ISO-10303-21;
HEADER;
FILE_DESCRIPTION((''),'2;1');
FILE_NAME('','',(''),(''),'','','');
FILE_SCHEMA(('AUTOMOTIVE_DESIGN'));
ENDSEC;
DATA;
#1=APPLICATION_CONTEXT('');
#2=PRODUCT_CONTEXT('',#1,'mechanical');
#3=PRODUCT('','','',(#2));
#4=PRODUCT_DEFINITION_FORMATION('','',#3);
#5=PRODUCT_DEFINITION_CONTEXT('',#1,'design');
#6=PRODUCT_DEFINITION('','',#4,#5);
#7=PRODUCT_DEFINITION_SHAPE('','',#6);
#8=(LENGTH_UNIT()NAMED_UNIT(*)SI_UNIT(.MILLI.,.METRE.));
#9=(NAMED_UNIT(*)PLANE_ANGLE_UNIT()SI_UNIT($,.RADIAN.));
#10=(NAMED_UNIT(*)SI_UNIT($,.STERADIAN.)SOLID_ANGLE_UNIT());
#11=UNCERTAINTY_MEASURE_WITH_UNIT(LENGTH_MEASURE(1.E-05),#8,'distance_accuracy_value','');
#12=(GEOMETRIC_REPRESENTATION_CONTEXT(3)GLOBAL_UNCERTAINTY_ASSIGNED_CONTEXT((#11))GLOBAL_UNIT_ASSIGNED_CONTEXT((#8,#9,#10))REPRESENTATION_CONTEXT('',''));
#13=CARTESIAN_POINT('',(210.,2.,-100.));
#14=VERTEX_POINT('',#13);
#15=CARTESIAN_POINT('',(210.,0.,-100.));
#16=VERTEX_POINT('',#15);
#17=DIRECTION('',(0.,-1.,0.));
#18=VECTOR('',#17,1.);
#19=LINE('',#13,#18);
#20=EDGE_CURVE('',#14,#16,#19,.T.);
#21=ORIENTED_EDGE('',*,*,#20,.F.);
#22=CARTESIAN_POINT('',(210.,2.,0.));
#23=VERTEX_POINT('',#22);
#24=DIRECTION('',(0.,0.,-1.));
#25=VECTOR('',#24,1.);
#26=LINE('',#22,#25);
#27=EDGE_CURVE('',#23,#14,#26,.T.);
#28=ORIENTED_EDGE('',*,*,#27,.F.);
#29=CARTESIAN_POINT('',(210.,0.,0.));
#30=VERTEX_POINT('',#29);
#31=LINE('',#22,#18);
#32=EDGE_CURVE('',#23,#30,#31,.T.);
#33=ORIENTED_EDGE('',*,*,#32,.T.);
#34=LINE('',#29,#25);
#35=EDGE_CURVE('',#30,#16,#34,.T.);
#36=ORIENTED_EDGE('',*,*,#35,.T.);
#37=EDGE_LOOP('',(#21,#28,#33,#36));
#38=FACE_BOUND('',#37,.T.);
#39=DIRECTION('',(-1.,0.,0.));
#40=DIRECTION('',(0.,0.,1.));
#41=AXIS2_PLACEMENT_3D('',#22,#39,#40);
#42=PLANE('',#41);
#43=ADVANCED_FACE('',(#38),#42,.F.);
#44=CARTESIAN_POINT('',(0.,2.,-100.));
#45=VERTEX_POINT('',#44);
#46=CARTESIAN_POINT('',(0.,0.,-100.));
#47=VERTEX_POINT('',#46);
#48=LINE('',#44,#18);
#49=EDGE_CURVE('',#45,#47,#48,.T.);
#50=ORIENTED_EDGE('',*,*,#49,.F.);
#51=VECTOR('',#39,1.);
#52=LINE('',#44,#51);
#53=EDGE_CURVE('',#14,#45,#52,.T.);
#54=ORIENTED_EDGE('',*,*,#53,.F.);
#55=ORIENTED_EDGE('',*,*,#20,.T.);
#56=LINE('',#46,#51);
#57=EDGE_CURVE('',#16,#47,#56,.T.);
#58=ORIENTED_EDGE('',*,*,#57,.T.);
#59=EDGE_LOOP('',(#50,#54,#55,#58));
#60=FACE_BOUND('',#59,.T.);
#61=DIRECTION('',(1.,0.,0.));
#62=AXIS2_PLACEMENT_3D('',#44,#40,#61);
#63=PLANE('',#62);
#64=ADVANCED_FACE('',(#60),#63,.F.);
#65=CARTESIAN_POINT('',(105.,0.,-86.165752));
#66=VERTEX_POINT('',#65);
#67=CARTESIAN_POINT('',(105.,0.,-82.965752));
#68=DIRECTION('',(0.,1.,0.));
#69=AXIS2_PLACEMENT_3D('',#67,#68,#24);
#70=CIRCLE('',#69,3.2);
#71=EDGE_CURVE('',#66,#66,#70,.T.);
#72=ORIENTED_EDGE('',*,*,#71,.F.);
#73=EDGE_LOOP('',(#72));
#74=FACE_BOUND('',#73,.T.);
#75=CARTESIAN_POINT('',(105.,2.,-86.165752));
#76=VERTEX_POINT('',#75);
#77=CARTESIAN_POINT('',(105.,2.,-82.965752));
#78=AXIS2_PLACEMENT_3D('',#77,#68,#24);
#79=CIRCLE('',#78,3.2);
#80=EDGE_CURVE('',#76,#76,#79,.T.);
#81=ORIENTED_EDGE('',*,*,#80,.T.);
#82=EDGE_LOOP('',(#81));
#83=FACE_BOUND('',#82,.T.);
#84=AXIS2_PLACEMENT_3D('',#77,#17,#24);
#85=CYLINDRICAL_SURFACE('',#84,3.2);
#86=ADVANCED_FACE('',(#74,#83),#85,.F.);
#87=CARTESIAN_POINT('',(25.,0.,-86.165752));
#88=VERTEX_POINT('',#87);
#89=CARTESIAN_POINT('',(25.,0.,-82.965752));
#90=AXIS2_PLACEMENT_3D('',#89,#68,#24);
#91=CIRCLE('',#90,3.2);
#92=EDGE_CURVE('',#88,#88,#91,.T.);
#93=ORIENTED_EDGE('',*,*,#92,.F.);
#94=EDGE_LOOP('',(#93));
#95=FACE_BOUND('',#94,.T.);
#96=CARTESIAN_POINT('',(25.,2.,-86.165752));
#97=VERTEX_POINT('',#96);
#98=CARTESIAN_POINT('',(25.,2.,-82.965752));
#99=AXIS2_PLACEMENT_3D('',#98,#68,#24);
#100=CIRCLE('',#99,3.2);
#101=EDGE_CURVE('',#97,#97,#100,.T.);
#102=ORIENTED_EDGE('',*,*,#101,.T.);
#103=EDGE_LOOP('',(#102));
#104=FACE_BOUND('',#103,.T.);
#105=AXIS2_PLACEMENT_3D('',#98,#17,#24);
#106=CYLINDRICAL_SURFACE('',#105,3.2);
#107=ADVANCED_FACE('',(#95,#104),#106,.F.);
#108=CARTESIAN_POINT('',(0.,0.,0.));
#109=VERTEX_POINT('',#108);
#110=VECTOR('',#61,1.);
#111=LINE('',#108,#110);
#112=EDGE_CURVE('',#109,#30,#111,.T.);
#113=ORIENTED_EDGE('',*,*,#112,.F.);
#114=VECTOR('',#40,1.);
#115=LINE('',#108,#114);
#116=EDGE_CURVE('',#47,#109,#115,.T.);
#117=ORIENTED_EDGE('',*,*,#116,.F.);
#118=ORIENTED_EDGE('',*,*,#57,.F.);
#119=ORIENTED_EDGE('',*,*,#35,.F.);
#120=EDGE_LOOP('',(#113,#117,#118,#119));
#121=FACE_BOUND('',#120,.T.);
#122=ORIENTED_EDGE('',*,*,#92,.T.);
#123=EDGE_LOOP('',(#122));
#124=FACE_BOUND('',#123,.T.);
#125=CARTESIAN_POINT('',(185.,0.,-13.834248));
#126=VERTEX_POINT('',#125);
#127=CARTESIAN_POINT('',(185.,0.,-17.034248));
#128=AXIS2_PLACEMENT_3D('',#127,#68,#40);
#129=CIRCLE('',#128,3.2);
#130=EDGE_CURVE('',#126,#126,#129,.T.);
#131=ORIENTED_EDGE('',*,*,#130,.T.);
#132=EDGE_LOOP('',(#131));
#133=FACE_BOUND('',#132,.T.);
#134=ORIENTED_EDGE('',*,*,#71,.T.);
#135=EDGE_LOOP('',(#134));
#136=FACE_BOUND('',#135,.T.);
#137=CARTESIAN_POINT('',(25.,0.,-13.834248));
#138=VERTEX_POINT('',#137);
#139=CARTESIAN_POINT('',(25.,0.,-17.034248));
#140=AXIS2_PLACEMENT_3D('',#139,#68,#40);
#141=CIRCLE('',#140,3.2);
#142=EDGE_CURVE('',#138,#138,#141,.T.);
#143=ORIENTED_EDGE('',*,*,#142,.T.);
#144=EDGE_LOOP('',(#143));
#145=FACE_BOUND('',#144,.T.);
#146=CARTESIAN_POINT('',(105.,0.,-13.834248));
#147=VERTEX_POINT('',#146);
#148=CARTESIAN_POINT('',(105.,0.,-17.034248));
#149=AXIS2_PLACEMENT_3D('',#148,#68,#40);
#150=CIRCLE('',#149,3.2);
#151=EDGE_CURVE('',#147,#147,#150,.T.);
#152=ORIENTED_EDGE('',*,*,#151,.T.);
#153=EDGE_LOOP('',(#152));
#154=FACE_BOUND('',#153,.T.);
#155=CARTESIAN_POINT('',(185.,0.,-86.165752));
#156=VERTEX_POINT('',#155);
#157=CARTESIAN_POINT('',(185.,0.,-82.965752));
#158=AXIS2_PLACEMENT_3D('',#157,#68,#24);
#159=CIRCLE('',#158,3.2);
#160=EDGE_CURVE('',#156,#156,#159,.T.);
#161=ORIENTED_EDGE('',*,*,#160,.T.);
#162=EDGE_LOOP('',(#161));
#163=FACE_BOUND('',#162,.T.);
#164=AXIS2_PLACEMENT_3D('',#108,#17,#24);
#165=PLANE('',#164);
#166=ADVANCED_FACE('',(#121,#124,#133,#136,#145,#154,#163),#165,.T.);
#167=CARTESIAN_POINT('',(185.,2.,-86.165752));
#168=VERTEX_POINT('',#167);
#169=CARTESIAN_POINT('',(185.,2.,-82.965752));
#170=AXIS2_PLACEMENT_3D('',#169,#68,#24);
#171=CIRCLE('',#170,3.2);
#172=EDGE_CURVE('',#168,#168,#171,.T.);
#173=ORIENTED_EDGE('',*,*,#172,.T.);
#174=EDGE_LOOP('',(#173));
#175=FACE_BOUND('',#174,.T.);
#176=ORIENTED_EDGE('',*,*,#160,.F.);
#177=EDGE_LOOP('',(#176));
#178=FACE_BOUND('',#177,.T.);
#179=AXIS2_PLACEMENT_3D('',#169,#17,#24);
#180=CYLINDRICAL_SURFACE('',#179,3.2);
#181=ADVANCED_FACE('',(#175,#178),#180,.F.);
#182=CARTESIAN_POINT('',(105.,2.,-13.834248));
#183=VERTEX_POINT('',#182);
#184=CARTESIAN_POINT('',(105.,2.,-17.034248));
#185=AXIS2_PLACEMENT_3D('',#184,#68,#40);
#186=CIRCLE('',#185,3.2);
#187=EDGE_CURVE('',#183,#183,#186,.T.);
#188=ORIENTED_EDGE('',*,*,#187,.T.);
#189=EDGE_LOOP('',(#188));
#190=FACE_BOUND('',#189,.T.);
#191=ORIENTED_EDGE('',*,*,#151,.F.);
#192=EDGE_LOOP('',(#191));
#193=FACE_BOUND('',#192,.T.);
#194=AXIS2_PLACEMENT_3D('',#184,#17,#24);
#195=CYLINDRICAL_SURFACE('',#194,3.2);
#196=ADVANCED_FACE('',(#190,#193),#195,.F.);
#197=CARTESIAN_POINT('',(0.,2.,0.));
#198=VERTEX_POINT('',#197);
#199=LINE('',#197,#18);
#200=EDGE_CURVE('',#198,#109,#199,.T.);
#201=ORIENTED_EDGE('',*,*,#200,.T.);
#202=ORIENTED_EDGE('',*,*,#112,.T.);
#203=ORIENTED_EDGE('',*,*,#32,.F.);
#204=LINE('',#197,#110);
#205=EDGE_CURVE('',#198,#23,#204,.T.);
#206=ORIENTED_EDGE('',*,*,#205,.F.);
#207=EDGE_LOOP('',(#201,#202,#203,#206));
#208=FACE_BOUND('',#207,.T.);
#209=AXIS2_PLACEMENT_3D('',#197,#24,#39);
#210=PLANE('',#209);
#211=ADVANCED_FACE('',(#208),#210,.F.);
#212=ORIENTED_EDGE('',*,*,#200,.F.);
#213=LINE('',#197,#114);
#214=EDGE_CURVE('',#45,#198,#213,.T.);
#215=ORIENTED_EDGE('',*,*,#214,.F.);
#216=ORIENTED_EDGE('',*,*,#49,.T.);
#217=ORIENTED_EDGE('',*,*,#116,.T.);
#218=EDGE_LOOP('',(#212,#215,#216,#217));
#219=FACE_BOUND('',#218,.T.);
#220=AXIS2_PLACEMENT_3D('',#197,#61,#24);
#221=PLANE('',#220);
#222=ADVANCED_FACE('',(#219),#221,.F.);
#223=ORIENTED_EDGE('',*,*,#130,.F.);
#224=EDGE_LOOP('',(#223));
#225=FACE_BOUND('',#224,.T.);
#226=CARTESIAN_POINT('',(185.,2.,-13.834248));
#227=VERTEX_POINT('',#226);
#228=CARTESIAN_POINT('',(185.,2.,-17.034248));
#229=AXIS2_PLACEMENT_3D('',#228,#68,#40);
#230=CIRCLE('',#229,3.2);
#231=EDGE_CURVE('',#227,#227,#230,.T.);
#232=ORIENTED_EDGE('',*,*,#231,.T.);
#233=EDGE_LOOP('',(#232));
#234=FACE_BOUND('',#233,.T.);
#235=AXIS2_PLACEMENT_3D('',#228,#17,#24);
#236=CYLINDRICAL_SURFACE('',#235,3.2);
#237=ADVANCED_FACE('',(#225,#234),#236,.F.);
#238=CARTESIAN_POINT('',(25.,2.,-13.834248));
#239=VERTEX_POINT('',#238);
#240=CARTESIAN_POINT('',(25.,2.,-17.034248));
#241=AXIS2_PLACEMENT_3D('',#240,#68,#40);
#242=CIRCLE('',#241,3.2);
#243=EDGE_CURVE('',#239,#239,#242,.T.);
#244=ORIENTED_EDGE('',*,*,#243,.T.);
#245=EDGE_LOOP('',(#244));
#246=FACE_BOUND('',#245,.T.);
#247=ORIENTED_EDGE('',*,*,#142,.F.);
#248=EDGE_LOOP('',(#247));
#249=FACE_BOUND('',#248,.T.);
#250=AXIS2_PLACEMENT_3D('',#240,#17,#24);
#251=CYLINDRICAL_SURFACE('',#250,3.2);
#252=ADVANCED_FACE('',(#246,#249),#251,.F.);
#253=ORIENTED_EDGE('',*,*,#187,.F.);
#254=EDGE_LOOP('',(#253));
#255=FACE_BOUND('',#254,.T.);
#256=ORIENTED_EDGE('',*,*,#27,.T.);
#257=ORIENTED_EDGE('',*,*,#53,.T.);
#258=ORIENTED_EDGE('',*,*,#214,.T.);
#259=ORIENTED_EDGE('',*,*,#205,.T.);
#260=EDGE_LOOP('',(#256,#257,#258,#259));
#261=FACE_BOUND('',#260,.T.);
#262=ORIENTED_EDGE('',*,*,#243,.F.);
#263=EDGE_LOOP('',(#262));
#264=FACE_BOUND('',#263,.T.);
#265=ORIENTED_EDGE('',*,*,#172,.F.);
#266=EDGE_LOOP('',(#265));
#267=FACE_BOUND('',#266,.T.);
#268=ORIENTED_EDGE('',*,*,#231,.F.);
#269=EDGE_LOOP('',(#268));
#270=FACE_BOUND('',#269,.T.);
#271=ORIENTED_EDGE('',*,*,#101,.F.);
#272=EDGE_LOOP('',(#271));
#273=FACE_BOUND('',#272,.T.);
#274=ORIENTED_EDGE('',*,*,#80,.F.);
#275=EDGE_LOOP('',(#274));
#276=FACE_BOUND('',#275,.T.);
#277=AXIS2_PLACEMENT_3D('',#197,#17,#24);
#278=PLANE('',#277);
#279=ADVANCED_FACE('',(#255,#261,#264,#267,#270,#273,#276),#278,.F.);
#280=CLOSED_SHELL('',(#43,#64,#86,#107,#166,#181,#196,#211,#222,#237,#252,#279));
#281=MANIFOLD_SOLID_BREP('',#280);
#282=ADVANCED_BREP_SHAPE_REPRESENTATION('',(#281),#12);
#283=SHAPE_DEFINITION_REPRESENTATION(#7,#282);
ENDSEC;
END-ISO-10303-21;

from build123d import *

# Parameters (mm, degrees)
SKETCH_1_W      = 210
SKETCH_1_H      = 100
SKETCH_1_R      = 3.2
EXTRUDE_1_DEPTH = 2


with BuildPart() as part:
    # Эскиз1 → Бобышка-Вытянуть1 (new body)
    with BuildSketch(Plane(origin=(0, 0, 0), x_dir=(1, 0, 0), z_dir=(0, 1, 0))):
        with Locations((105, 50)):
            Rectangle(SKETCH_1_W, SKETCH_1_H)
        with Locations((25, 17.034247801)):
            Circle(SKETCH_1_R, mode=Mode.SUBTRACT)
        with Locations((185, 17.034247801)):
            Circle(SKETCH_1_R, mode=Mode.SUBTRACT)
        with Locations((105, 17.034247801)):
            Circle(SKETCH_1_R, mode=Mode.SUBTRACT)
        with Locations((25, 82.965752199)):
            Circle(SKETCH_1_R, mode=Mode.SUBTRACT)
        with Locations((105, 82.965752199)):
            Circle(SKETCH_1_R, mode=Mode.SUBTRACT)
        with Locations((185, 82.965752199)):
            Circle(SKETCH_1_R, mode=Mode.SUBTRACT)
    extrude(amount=EXTRUDE_1_DEPTH)


solid = part.part
